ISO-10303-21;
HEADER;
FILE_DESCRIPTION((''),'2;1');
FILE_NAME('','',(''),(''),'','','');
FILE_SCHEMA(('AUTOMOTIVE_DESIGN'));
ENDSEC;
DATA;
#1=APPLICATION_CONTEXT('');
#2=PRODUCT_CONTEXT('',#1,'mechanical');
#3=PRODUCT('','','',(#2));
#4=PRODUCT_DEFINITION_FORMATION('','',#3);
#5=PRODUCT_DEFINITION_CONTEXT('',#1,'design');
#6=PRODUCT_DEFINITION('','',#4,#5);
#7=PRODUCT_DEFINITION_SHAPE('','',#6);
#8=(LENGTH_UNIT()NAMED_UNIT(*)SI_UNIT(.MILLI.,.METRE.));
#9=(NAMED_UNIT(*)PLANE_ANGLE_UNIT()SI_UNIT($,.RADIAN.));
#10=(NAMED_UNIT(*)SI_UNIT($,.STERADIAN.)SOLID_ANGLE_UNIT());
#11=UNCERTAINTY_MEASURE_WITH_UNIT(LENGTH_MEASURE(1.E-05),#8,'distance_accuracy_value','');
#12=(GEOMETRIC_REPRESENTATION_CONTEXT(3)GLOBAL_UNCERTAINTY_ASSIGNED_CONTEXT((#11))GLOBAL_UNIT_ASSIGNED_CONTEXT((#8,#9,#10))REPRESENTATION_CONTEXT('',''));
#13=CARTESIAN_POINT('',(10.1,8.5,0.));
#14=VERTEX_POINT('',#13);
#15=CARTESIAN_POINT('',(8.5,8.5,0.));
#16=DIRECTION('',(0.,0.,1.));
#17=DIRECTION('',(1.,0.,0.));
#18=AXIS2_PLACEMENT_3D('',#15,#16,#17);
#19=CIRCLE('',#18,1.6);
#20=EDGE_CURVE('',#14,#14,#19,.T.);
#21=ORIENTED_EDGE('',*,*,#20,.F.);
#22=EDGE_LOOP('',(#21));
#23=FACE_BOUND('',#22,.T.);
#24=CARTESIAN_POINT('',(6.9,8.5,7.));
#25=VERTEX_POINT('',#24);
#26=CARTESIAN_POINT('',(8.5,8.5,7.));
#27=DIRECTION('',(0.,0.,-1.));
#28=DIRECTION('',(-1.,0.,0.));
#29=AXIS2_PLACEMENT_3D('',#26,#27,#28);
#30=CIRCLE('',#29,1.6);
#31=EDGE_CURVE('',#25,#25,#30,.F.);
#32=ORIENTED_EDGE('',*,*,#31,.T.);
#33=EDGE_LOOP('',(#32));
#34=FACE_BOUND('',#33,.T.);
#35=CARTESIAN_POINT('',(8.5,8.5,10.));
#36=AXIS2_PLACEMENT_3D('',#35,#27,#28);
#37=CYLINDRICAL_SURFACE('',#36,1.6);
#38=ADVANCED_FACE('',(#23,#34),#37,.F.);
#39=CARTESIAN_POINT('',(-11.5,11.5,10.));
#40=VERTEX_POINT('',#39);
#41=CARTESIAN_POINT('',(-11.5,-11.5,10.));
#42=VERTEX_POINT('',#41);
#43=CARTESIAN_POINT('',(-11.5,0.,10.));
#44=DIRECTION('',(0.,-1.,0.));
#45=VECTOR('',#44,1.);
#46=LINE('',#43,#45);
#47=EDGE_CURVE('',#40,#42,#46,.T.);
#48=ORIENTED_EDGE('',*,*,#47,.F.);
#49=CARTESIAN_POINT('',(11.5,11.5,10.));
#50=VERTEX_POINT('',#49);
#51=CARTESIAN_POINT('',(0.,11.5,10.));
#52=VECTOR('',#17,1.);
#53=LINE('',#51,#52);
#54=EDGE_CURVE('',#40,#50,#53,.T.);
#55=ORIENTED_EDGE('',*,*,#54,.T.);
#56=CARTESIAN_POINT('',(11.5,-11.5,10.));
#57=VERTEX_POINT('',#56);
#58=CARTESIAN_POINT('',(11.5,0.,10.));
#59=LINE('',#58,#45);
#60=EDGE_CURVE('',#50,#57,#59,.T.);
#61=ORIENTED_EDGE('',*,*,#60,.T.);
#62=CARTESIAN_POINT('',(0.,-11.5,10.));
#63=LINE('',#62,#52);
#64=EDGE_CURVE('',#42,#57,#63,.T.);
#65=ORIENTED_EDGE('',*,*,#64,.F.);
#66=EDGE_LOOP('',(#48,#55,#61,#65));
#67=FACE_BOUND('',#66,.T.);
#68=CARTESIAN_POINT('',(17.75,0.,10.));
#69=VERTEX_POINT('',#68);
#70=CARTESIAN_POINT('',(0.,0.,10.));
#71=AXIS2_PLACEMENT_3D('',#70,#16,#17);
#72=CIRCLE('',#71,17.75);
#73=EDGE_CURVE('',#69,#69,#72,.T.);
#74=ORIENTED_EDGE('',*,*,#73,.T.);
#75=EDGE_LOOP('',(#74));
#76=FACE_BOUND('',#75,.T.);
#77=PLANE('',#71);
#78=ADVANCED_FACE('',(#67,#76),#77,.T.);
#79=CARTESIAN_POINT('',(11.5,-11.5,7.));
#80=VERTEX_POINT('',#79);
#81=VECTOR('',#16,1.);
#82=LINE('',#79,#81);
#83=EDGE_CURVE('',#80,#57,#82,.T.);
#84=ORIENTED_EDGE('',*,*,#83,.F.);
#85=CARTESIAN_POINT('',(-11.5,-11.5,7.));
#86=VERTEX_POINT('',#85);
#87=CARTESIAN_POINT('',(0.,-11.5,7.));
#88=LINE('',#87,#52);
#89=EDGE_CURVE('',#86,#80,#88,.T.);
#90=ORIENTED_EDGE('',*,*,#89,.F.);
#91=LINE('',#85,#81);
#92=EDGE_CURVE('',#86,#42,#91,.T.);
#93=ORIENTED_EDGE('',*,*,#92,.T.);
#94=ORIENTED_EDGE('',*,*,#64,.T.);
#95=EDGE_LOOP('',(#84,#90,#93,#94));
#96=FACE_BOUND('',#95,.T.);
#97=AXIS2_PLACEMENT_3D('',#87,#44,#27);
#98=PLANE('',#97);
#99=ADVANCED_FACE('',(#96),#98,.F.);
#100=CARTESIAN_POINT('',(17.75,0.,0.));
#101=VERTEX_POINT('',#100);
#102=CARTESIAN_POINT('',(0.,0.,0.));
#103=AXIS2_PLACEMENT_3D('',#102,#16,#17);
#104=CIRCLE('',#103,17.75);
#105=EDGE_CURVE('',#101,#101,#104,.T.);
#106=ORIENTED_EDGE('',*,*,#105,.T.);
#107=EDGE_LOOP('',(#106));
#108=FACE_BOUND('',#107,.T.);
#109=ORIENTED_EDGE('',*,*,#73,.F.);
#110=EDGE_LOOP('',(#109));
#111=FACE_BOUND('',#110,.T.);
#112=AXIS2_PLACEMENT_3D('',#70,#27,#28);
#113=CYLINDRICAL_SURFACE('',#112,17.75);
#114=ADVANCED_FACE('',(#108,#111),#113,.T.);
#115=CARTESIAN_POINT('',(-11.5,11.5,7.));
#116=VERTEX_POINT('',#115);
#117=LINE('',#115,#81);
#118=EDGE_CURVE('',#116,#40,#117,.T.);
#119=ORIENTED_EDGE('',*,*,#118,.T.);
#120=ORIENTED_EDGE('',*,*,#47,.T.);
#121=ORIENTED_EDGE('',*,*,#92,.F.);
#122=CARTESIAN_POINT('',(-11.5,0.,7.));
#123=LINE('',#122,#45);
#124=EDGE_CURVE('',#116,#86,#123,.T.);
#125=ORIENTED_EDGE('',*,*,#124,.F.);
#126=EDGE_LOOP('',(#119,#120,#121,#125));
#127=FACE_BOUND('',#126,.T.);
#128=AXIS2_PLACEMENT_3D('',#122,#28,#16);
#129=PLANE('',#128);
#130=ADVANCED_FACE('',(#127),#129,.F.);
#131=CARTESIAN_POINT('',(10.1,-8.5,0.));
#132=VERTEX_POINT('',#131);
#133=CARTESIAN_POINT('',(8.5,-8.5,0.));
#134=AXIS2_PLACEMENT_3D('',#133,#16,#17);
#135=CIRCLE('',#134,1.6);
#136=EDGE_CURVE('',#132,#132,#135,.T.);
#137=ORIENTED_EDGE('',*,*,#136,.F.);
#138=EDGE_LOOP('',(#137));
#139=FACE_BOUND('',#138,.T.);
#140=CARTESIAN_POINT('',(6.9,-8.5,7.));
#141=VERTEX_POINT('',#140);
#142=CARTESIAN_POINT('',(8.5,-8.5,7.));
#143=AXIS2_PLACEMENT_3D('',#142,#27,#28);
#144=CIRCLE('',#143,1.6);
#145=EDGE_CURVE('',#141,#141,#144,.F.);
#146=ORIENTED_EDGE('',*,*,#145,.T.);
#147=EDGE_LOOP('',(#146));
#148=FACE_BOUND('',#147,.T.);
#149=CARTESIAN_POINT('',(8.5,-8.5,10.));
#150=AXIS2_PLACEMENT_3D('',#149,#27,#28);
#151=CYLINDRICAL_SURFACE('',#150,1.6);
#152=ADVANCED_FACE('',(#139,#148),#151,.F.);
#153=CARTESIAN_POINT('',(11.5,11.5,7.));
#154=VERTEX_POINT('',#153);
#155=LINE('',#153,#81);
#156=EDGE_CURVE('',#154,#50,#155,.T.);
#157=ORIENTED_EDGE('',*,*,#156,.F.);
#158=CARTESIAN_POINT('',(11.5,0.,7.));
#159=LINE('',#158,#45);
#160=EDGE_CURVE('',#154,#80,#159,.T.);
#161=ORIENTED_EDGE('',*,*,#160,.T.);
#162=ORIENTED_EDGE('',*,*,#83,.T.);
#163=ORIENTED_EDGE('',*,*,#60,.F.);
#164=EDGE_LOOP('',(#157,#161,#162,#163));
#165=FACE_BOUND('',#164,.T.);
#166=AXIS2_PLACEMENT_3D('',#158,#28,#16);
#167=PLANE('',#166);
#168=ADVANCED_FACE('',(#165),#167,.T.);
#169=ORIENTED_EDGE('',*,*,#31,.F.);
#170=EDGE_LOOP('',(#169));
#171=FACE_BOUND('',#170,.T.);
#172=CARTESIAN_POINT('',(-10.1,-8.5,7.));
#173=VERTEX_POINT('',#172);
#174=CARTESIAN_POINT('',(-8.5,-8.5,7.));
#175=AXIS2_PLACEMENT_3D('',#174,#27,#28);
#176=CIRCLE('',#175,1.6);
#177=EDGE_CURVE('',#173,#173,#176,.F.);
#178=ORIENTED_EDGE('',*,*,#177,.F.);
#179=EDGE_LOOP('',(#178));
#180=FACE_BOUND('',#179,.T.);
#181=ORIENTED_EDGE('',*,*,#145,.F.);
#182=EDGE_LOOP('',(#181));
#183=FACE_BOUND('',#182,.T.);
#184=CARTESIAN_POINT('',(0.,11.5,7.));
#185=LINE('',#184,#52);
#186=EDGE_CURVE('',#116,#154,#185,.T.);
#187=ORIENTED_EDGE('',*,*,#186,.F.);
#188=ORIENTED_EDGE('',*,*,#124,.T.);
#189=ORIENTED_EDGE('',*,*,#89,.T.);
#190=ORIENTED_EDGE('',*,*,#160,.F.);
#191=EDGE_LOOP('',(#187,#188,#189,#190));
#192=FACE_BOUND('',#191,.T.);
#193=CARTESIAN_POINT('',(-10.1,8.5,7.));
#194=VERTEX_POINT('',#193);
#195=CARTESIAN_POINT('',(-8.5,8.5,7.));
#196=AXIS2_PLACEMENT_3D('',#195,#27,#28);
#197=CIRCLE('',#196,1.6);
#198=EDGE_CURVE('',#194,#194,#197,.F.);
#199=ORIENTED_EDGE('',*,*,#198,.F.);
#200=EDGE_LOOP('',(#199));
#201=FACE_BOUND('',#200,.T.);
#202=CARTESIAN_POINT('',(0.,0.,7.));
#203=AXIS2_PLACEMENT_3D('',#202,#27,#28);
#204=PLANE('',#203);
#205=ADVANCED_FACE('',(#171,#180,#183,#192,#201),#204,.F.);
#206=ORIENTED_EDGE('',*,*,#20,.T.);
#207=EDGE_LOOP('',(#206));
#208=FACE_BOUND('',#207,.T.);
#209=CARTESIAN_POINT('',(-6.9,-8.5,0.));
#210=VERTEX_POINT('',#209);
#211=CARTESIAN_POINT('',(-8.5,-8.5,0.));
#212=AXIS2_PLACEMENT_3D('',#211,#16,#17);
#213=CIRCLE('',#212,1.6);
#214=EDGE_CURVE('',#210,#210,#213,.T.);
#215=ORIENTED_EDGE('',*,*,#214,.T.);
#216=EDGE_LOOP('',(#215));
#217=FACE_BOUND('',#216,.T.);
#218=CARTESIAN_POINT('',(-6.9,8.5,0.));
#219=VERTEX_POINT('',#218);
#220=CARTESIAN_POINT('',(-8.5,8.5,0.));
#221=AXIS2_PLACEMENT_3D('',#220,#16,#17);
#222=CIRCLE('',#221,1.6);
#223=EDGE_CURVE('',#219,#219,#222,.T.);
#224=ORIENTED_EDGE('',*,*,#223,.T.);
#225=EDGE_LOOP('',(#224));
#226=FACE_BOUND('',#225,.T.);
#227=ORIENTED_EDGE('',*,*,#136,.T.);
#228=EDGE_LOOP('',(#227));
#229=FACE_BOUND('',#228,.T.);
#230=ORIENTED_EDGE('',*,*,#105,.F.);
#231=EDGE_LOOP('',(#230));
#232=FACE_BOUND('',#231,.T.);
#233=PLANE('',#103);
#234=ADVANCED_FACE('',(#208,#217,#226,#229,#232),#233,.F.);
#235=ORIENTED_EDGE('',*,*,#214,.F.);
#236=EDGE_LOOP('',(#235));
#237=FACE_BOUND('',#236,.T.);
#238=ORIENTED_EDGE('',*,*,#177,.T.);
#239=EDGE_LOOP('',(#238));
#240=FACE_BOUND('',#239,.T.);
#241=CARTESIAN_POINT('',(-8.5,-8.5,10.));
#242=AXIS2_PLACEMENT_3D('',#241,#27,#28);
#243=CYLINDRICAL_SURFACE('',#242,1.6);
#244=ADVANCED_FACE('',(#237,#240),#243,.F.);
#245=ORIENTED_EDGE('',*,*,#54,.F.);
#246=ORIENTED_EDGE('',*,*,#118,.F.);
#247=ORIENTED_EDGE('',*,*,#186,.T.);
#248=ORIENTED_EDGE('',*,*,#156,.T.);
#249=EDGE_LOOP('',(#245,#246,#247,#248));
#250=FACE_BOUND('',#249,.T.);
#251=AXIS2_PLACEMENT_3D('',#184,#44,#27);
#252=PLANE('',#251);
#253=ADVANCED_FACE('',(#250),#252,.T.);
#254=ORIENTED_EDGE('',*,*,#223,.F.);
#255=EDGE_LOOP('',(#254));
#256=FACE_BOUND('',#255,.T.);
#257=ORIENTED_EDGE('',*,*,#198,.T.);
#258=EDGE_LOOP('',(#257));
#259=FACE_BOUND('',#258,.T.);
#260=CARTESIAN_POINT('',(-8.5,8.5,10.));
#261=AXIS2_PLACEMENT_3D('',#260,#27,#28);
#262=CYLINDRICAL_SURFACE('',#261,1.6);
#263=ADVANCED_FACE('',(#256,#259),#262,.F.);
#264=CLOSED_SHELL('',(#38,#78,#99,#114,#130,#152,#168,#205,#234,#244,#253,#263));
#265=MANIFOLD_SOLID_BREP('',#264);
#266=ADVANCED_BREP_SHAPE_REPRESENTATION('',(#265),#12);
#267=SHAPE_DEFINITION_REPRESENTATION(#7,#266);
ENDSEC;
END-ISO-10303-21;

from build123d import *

# Parameters (mm, degrees)
SKETCH1_R           = 17.75
SKETCH1_W           = 23
SKETCH1_H           = 23
SKETCH1_R_2         = 1.6
BOSS_EXTRUDE1_DEPTH = 10
CUT_EXTRUDE1_START  = 10
SKETCH1_3_W         = 23
SKETCH1_3_H         = 23
SKETCH1_3_R         = 1.6
CUT_EXTRUDE1_DEPTH  = 3
SKETCH1_4_R         = 1.6
CUT_EXTRUDE3_DEPTH  = 28.020825302


with BuildPart() as part:
    # Sketch1 → Boss-Extrude1 (new body)
    # profile 1 of 6: a face of its own
    with BuildSketch(Plane(origin=(0, 0, 0), x_dir=(0, 1, 0), z_dir=(0, 0, 1))):
        with Locations(Location((0, 0, 0), (0, 0, 270))):
            Circle(SKETCH1_R)
        Rectangle(SKETCH1_W, SKETCH1_H, mode=Mode.SUBTRACT)
    # profile 2 of 6: a face of its own
    with BuildSketch(Plane(origin=(0, 0, 0), x_dir=(0, 1, 0), z_dir=(0, 0, 1))):
        Rectangle(SKETCH1_W, SKETCH1_H)
        with Locations((-8.5, -8.5)):
            Circle(SKETCH1_R_2, mode=Mode.SUBTRACT)
        with Locations((8.5, -8.5)):
            Circle(SKETCH1_R_2, mode=Mode.SUBTRACT)
        with Locations((8.5, 8.5)):
            Circle(SKETCH1_R_2, mode=Mode.SUBTRACT)
        with Locations((-8.5, 8.5)):
            Circle(SKETCH1_R_2, mode=Mode.SUBTRACT)
    # profile 3 of 6: a face of its own
    with BuildSketch(Plane(origin=(0, 0, 0), x_dir=(0, 1, 0), z_dir=(0, 0, 1))):
        with Locations((8.5, 8.5)):
            Circle(SKETCH1_R_2)
    # profile 4 of 6: a face of its own
    with BuildSketch(Plane(origin=(0, 0, 0), x_dir=(0, 1, 0), z_dir=(0, 0, 1))):
        with Locations((-8.5, 8.5)):
            Circle(SKETCH1_R_2)
    # profile 5 of 6: a face of its own
    with BuildSketch(Plane(origin=(0, 0, 0), x_dir=(0, 1, 0), z_dir=(0, 0, 1))):
        with Locations((8.5, -8.5)):
            Circle(SKETCH1_R_2)
    # profile 6 of 6: a face of its own
    with BuildSketch(Plane(origin=(0, 0, 0), x_dir=(0, 1, 0), z_dir=(0, 0, 1))):
        with Locations((-8.5, -8.5)):
            Circle(SKETCH1_R_2)
    extrude(amount=BOSS_EXTRUDE1_DEPTH)

    # Sketch1<3> → Cut-Extrude1 (cut)
    # profile 1 of 5: a face of its own
    with BuildSketch(Plane(origin=(0, 0, 0), x_dir=(0, 1, 0), z_dir=(0, 0, 1)).offset(CUT_EXTRUDE1_START)):
        Rectangle(SKETCH1_3_W, SKETCH1_3_H)
        with Locations((-8.5, -8.5)):
            Circle(SKETCH1_3_R, mode=Mode.SUBTRACT)
        with Locations((8.5, -8.5)):
            Circle(SKETCH1_3_R, mode=Mode.SUBTRACT)
        with Locations((8.5, 8.5)):
            Circle(SKETCH1_3_R, mode=Mode.SUBTRACT)
        with Locations((-8.5, 8.5)):
            Circle(SKETCH1_3_R, mode=Mode.SUBTRACT)
    # profile 2 of 5: a face of its own
    with BuildSketch(Plane(origin=(0, 0, 0), x_dir=(0, 1, 0), z_dir=(0, 0, 1)).offset(CUT_EXTRUDE1_START)):
        with Locations((-8.5, 8.5)):
            Circle(SKETCH1_3_R)
    # profile 3 of 5: a face of its own
    with BuildSketch(Plane(origin=(0, 0, 0), x_dir=(0, 1, 0), z_dir=(0, 0, 1)).offset(CUT_EXTRUDE1_START)):
        with Locations((8.5, 8.5)):
            Circle(SKETCH1_3_R)
    # profile 4 of 5: a face of its own
    with BuildSketch(Plane(origin=(0, 0, 0), x_dir=(0, 1, 0), z_dir=(0, 0, 1)).offset(CUT_EXTRUDE1_START)):
        with Locations((-8.5, -8.5)):
            Circle(SKETCH1_3_R)
    # profile 5 of 5: a face of its own
    with BuildSketch(Plane(origin=(0, 0, 0), x_dir=(0, 1, 0), z_dir=(0, 0, 1)).offset(CUT_EXTRUDE1_START)):
        with Locations((8.5, -8.5)):
            Circle(SKETCH1_3_R)
    extrude(amount=-CUT_EXTRUDE1_DEPTH, mode=Mode.SUBTRACT)

    # Sketch1<4> → Cut-Extrude3 (cut, through all)
    with BuildSketch(Plane(origin=(0, 0, 0), x_dir=(0, 1, 0), z_dir=(0, 0, 1))):
        with Locations(Location((-8.5, -8.5, 0), (0, 0, 90))):
            Circle(SKETCH1_4_R)
        with Locations(Location((8.5, -8.5, 0), (0, 0, 90))):
            Circle(SKETCH1_4_R)
        with Locations(Location((8.5, 8.5, 0), (0, 0, 90))):
            Circle(SKETCH1_4_R)
        with Locations(Location((-8.5, 8.5, 0), (0, 0, 90))):
            Circle(SKETCH1_4_R)
    extrude(amount=CUT_EXTRUDE3_DEPTH, mode=Mode.SUBTRACT)


solid = part.part
